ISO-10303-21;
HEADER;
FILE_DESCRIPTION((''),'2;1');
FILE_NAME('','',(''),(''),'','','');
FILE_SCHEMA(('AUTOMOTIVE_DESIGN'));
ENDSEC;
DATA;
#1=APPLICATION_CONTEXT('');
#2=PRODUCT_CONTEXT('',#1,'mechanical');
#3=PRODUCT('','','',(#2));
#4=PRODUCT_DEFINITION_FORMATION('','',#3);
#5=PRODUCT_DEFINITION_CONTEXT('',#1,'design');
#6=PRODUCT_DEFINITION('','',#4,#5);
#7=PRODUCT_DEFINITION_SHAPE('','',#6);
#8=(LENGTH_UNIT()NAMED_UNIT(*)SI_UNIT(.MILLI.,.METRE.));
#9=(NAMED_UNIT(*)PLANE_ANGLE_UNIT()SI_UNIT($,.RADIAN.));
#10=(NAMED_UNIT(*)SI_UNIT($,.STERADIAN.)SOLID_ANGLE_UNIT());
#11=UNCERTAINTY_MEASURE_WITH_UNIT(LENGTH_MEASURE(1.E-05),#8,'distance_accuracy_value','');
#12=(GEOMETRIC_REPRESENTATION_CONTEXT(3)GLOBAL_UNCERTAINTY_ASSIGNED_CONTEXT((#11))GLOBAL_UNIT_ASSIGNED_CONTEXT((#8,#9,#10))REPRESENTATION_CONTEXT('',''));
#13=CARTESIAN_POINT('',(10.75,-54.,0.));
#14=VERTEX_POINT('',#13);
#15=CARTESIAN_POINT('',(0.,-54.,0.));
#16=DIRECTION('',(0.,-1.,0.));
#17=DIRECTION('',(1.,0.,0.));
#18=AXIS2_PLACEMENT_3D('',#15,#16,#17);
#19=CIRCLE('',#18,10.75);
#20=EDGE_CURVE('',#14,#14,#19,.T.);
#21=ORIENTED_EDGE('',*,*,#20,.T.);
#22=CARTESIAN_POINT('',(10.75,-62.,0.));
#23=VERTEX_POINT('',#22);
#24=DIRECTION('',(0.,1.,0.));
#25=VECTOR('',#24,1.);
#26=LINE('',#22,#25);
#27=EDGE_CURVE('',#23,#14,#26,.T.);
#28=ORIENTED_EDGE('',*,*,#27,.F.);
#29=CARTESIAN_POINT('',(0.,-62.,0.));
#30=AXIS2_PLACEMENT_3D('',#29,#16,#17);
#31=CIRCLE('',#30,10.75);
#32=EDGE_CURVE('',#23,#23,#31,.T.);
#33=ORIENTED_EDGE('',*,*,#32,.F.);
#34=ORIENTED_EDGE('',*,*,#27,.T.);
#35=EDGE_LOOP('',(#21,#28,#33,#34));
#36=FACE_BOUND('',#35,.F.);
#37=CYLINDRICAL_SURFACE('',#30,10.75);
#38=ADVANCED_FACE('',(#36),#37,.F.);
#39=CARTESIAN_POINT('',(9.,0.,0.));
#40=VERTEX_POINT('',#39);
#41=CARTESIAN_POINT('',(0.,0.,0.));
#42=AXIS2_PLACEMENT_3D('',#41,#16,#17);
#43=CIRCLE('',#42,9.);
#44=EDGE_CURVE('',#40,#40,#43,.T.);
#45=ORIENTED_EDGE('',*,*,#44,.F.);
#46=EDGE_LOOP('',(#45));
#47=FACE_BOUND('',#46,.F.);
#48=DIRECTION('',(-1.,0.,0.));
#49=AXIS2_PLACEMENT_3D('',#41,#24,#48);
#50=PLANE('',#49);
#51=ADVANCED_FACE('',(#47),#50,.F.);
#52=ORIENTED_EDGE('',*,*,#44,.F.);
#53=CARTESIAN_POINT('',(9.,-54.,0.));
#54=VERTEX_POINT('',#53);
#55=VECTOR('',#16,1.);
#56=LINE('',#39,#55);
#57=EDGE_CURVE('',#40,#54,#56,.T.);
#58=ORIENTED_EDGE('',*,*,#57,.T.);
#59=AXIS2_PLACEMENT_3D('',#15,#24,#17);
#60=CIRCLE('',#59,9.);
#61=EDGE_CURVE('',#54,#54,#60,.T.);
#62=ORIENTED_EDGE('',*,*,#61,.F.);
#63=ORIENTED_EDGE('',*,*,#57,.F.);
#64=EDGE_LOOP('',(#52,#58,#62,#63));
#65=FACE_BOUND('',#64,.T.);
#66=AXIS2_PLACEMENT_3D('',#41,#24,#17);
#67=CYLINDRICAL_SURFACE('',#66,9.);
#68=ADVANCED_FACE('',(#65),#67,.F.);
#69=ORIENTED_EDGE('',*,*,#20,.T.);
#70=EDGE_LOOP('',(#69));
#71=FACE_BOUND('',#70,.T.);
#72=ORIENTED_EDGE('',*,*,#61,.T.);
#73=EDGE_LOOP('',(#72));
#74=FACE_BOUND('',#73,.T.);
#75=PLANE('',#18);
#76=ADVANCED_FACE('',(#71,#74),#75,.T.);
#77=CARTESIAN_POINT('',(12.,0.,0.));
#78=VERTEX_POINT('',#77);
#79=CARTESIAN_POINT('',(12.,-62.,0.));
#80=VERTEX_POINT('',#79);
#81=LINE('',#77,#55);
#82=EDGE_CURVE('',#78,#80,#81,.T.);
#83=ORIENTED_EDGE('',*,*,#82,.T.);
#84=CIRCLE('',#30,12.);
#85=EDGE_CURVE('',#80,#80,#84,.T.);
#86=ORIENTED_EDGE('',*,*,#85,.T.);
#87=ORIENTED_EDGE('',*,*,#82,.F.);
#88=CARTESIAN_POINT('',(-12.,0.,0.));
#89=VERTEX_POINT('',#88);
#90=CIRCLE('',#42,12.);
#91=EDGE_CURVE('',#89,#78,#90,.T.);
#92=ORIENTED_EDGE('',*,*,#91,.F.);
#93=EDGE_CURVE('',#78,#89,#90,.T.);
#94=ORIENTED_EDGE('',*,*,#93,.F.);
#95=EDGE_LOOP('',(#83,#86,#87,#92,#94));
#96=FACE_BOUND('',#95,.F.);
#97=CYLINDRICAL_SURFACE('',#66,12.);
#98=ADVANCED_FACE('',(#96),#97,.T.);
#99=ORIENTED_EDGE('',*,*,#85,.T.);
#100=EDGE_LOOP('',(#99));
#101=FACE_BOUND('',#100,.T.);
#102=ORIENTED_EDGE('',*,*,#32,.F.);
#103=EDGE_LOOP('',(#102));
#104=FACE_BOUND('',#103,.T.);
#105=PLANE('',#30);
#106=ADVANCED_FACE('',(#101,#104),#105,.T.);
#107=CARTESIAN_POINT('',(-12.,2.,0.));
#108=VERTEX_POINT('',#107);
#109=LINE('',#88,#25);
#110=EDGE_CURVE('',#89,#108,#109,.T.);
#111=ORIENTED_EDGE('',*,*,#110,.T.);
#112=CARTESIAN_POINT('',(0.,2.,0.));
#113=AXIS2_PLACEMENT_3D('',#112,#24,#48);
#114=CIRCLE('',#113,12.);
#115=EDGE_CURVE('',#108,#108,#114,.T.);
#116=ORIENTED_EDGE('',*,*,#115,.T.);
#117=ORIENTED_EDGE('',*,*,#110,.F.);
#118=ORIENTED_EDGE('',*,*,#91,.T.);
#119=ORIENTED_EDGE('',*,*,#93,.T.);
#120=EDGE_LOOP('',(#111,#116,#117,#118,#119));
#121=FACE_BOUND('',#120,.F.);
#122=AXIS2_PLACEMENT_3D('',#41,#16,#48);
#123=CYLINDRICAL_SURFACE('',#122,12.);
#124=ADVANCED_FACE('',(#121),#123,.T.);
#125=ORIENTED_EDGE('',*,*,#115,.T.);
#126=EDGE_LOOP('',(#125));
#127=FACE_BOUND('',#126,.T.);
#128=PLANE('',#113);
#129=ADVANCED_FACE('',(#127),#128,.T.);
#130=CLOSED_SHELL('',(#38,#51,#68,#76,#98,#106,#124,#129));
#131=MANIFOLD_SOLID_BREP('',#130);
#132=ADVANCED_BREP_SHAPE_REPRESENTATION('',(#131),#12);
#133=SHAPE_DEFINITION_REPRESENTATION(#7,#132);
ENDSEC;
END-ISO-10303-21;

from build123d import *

# Parameters (mm, degrees)
F0_R     = 12
F0_R_2   = 9
F1_DEPTH = 62
F2_R     = 12
F3_DEPTH = 2
F4_R     = 10.75
F5_DEPTH = 8


with BuildPart() as f1:
    # F0 (on Front) → F1 (new body)
    with BuildSketch(Plane.XZ):
        Circle(F0_R)
        Circle(F0_R_2, mode=Mode.SUBTRACT)
    extrude(amount=F1_DEPTH)

    # F2 (on face) → F3 (join)
    with BuildSketch(Plane(origin=(0, 0, 0), x_dir=(-1, 0, 0), z_dir=(0, 1, 0))):
        Circle(F2_R)
    extrude(amount=F3_DEPTH)

    # F4 (on face) → F5 (cut)
    with BuildSketch(Plane.XZ.offset(62)):
        Circle(F4_R)
    extrude(amount=-F5_DEPTH, mode=Mode.SUBTRACT)


solid = f1.part
